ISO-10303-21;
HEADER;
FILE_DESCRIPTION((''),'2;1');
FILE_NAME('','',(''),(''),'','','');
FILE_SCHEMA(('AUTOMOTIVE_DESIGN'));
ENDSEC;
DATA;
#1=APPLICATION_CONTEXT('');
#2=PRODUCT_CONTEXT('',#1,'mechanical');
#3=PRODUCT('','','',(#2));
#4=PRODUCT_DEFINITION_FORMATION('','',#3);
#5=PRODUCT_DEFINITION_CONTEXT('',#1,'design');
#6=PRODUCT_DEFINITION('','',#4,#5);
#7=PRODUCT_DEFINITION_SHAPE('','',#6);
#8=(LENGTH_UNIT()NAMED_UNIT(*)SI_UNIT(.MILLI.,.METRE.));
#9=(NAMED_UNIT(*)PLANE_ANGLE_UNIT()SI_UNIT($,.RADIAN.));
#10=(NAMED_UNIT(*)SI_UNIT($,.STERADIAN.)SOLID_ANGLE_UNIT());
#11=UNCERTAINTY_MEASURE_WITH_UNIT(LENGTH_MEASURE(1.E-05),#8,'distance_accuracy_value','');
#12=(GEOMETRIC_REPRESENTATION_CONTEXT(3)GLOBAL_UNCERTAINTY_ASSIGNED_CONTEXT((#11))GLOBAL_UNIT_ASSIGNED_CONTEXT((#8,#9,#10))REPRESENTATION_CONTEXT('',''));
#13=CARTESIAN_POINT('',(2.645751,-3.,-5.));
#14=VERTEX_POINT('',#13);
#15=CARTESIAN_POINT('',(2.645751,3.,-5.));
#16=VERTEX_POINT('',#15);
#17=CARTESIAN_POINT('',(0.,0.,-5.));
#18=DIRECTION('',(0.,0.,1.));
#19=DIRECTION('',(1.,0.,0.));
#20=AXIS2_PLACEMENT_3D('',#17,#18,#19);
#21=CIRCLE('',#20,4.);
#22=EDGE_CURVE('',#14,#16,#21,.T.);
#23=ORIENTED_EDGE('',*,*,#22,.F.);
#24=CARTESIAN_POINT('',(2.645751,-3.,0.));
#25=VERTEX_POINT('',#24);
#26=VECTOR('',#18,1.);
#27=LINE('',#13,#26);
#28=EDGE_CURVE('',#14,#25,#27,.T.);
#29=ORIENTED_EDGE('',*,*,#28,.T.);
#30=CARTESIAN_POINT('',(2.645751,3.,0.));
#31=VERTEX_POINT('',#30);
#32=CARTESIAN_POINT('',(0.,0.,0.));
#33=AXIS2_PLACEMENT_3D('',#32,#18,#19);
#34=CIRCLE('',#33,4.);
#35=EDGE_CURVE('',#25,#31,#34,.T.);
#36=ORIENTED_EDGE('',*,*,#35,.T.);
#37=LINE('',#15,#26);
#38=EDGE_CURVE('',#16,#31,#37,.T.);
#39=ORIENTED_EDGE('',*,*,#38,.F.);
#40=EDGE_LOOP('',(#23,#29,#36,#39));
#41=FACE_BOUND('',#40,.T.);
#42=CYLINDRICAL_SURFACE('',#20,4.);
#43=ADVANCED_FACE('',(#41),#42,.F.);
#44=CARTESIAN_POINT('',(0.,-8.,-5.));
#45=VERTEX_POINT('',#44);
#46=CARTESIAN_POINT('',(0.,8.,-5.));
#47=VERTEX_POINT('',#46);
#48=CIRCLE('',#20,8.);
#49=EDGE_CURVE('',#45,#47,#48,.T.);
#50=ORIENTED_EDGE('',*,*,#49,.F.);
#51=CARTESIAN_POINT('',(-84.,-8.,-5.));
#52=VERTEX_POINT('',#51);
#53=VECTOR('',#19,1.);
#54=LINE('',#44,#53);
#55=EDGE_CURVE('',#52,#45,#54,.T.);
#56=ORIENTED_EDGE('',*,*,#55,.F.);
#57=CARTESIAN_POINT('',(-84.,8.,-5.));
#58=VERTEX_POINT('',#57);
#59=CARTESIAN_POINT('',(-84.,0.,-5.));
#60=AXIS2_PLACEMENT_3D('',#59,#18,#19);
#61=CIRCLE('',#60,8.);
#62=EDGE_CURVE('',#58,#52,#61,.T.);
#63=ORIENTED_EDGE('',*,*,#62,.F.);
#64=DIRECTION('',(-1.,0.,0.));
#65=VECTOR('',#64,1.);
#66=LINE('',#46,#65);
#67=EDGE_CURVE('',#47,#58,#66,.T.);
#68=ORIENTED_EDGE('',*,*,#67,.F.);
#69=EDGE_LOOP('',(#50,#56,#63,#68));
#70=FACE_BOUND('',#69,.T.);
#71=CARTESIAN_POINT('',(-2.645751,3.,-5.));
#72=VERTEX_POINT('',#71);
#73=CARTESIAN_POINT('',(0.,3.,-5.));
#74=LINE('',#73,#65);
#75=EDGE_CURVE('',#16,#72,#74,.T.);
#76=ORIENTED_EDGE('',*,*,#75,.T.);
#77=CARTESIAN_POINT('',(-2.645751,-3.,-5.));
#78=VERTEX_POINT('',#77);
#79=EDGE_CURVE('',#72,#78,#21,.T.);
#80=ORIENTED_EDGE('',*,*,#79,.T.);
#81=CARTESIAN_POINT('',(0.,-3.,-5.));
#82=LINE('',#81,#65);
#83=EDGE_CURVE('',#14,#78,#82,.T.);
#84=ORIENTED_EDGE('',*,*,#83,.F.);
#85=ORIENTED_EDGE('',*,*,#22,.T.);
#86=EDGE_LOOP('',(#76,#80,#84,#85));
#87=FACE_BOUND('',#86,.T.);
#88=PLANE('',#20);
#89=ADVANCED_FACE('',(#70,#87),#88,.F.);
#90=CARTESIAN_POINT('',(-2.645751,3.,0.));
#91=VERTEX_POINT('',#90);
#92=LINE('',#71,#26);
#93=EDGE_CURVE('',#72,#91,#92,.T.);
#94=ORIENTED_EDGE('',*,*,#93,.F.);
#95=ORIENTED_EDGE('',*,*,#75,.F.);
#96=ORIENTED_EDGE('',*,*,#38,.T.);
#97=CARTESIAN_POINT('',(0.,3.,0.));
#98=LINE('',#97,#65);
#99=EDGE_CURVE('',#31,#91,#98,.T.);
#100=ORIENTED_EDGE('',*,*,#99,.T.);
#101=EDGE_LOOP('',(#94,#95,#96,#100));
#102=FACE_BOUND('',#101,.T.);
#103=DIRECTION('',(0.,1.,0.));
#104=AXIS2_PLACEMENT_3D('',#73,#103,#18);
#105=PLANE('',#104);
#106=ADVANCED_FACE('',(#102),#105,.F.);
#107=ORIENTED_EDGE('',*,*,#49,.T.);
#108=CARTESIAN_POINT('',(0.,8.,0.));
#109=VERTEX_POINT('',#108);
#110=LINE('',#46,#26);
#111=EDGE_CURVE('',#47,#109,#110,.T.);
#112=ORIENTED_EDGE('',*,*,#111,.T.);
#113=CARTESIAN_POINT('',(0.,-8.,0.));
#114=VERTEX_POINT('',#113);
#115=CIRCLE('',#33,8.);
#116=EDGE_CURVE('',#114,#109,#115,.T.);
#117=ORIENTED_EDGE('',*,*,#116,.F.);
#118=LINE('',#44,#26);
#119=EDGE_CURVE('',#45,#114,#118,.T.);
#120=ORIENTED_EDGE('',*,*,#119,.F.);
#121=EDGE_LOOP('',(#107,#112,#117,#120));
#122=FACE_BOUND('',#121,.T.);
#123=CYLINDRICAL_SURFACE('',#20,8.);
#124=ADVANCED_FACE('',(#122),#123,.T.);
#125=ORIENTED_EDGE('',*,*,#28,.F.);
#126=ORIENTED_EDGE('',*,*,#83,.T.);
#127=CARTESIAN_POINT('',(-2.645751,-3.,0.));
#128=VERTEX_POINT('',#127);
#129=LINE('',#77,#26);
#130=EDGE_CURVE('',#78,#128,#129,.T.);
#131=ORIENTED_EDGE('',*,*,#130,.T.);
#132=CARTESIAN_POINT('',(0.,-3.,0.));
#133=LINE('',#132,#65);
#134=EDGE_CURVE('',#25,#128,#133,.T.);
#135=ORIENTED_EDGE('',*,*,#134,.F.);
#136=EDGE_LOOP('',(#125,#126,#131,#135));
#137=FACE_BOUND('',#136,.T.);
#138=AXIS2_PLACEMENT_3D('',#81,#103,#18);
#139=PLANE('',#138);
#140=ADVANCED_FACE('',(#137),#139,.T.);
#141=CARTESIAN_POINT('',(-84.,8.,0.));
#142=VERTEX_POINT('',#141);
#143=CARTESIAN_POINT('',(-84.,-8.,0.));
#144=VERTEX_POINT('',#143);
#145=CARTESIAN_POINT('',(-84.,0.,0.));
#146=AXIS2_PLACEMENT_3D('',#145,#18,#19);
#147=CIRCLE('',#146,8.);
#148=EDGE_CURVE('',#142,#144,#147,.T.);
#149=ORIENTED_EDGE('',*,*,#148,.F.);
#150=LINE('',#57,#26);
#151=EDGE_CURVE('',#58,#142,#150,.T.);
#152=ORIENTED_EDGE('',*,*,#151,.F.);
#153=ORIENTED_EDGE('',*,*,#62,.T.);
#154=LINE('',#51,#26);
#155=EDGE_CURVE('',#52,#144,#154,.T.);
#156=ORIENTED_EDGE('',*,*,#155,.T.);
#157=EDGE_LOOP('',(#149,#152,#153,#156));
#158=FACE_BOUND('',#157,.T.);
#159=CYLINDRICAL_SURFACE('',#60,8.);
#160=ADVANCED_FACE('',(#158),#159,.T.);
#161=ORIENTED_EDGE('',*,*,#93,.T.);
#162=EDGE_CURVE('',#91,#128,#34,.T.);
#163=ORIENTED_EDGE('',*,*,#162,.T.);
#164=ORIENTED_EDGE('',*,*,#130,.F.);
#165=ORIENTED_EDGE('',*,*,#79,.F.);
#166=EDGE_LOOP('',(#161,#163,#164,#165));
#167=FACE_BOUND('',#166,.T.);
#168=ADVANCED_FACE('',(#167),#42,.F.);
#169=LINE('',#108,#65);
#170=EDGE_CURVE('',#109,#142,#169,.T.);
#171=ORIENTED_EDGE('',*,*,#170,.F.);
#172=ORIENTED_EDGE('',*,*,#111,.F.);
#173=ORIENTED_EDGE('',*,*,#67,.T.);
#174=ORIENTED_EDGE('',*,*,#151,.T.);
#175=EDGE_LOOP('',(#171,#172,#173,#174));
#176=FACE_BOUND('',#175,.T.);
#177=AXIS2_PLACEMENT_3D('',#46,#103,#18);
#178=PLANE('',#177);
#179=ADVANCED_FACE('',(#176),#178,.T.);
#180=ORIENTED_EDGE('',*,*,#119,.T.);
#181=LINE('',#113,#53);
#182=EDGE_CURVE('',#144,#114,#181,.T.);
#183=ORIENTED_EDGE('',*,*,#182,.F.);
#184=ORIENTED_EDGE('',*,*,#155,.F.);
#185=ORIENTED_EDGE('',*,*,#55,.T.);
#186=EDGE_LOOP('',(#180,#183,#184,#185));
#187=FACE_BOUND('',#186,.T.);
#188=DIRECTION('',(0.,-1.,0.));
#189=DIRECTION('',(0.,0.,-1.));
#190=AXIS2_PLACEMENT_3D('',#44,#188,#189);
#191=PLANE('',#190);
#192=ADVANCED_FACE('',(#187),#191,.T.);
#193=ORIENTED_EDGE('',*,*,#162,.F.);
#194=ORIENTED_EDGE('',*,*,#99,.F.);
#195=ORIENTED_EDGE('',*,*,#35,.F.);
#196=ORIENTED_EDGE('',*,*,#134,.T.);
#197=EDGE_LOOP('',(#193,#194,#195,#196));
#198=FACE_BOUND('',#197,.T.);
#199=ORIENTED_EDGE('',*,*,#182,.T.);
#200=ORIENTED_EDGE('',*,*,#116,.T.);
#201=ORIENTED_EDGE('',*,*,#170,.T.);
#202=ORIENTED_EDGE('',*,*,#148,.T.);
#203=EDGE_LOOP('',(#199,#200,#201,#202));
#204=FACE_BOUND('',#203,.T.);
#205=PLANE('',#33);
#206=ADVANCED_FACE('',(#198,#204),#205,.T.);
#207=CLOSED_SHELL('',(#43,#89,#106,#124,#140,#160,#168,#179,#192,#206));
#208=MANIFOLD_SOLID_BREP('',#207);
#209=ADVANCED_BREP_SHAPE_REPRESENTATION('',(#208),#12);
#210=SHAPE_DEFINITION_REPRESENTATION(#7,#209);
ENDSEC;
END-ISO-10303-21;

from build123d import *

# Parameters (mm, degrees)
SKETCH1_R           = 8
SKETCH1_R_2         = 4
BOSS_EXTRUDE1_DEPTH = 5


with BuildPart() as part:
    # Sketch1 → Boss-Extrude1 (new body)
    # profile 1 of 5: a face of its own
    with BuildSketch(Plane.XY):
        with Locations((-84, 0)):
            Circle(SKETCH1_R)
    # profile 2 of 5: a face of its own
    with BuildSketch(Plane.XY):
        with BuildLine():
            ThreePointArc((0, -8), (-8, 0), (0, 8))
            Line((0, 8), (-84, 8))
            ThreePointArc((-84, 8), (-78.343145751, 5.656854249), (-76, 0))
            ThreePointArc((-76, 0), (-78.343145751, -5.656854249), (-84, -8))
            Line((-84, -8), (0, -8))
        make_face()
    # profile 3 of 5: a face of its own
    with BuildSketch(Plane.XY):
        Circle(SKETCH1_R)
        Circle(SKETCH1_R_2, mode=Mode.SUBTRACT)
    # profile 4 of 5: a face of its own
    with BuildSketch(Plane.XY):
        with BuildLine():
            Line((-2.645751311, 3), (2.645751311, 3))
            ThreePointArc((2.645751311, 3), (0, 4), (-2.645751311, 3))
        make_face()
    # profile 5 of 5: a face of its own
    with BuildSketch(Plane.XY):
        with BuildLine():
            ThreePointArc((-2.645751311, -3), (0, -4), (2.645751311, -3))
            Line((2.645751311, -3), (-2.645751311, -3))
        make_face()
    extrude(amount=-BOSS_EXTRUDE1_DEPTH)


solid = part.part
